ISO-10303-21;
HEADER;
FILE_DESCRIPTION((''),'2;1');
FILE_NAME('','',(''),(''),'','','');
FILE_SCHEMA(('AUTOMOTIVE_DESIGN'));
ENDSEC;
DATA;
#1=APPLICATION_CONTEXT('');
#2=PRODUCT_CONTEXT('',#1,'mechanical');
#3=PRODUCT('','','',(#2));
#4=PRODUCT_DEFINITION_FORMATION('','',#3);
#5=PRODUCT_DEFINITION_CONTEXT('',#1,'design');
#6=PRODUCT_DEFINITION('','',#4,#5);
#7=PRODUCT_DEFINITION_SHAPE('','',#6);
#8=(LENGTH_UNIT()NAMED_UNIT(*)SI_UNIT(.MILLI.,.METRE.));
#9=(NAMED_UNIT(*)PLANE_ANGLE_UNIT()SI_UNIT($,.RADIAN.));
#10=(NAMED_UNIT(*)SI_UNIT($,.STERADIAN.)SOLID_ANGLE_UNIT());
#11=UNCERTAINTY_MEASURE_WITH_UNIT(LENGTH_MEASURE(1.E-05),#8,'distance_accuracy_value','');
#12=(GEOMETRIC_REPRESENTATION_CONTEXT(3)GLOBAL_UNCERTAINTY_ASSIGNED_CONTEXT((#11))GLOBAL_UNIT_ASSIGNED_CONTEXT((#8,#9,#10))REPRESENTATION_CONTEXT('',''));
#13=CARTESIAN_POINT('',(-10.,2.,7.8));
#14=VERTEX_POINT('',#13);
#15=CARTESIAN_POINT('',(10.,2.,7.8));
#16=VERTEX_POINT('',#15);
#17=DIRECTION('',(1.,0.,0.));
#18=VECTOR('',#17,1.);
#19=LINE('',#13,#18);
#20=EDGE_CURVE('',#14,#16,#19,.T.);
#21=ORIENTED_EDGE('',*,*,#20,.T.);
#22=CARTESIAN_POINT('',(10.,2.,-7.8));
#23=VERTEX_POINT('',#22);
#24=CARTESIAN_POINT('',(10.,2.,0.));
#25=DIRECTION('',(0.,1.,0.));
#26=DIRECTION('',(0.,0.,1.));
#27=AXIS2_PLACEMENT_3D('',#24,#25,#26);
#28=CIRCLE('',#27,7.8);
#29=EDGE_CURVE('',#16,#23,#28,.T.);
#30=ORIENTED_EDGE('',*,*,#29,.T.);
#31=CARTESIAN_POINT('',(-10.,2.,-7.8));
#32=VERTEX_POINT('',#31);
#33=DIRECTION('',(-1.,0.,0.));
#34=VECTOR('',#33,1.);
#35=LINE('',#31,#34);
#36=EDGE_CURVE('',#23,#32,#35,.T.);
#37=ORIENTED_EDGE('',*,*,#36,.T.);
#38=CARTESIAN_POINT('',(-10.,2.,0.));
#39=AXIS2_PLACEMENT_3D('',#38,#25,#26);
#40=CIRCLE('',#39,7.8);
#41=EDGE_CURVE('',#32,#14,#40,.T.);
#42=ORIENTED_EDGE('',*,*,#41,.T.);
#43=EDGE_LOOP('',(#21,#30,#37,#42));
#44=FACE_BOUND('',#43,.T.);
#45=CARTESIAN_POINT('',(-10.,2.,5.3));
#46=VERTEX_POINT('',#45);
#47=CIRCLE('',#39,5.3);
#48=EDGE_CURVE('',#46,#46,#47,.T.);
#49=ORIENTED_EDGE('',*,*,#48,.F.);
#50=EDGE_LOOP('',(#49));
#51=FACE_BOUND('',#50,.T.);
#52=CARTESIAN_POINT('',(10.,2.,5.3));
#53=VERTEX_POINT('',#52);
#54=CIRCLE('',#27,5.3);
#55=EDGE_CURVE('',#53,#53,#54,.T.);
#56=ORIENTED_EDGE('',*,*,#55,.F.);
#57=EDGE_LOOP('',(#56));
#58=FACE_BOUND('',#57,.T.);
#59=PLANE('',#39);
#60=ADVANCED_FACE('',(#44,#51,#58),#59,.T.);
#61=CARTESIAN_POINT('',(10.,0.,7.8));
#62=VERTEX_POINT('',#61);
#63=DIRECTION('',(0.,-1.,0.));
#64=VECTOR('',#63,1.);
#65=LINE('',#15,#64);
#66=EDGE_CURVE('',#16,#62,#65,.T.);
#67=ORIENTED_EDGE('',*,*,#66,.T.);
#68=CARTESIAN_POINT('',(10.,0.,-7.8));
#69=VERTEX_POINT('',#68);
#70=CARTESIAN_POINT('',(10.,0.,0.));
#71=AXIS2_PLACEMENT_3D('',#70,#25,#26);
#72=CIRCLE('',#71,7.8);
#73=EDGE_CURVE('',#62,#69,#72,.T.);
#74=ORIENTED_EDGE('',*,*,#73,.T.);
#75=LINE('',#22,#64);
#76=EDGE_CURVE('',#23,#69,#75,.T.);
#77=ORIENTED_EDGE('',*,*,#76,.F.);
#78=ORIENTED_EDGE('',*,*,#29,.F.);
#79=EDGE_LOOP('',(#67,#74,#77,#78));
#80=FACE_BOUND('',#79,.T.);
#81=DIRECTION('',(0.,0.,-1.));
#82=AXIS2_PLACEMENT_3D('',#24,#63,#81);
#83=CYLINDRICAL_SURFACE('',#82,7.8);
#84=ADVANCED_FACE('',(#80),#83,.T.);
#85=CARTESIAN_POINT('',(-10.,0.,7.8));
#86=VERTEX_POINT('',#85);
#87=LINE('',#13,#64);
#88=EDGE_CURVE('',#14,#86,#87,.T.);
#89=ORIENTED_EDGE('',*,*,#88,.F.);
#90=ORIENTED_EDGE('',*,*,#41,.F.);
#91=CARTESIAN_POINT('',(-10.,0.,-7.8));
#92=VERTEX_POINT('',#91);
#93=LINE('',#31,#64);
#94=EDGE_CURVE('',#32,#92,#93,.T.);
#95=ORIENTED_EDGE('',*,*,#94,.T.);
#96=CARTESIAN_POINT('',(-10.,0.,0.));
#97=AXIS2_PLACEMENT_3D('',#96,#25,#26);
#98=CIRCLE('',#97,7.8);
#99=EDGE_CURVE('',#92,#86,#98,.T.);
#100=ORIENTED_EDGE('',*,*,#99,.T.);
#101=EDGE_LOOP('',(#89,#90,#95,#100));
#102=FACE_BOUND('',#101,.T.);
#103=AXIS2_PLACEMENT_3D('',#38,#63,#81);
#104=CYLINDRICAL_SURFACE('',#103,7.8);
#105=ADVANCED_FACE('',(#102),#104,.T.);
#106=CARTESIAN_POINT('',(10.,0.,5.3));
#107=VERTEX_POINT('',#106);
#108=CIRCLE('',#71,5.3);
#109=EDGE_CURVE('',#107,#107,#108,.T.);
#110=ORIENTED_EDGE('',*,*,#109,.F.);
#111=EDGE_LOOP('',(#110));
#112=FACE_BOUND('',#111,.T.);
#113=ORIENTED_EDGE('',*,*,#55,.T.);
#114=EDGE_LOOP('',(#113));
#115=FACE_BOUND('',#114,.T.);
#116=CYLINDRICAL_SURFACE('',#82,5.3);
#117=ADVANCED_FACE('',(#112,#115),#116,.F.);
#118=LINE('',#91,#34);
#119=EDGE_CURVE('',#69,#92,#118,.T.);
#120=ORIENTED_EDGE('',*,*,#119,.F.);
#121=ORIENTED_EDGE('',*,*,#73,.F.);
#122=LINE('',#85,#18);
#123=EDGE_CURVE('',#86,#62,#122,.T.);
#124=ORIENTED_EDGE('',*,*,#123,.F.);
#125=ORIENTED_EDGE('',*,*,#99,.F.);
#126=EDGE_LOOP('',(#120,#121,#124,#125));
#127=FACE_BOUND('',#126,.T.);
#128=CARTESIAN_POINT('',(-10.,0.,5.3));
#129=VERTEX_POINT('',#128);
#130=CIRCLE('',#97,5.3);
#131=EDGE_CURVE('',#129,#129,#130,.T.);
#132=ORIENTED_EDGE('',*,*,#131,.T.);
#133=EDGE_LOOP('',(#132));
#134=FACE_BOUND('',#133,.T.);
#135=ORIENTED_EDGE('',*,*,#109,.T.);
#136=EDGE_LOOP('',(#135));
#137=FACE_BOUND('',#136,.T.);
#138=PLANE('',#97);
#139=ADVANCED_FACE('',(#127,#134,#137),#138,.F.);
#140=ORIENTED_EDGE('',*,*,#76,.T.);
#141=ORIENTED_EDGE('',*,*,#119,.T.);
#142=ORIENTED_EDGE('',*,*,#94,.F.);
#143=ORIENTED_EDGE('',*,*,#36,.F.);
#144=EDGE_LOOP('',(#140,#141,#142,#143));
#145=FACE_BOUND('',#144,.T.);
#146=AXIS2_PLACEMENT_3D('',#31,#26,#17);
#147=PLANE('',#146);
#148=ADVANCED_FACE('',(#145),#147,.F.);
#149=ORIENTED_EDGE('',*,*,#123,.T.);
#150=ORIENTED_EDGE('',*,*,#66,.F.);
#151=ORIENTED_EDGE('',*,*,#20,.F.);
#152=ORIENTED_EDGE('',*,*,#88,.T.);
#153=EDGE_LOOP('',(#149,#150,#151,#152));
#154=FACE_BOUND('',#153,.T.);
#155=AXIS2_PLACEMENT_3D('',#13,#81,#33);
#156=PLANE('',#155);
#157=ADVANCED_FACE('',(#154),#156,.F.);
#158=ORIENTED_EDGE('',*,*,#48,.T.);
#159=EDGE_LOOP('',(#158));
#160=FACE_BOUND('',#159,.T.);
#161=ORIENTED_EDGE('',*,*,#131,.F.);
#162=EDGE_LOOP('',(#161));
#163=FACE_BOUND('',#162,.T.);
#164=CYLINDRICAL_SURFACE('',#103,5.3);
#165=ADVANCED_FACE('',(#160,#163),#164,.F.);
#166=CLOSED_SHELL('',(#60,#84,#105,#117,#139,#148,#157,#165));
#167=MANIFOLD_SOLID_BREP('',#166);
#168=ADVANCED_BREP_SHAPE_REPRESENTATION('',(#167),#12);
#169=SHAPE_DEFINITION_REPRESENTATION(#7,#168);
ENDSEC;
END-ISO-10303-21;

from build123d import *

# Parameters (mm, degrees)
SKETCH1_R           = 5.3
BOSS_EXTRUDE1_DEPTH = 2


with BuildPart() as part:
    # Sketch1 → Boss-Extrude1 (new body)
    with BuildSketch(Plane(origin=(0, 0, 0), x_dir=(1, 0, 0), z_dir=(0, 1, 0))):
        with BuildLine():
            Line((-10, 7.8), (10, 7.8))
            ThreePointArc((10, 7.8), (17.8, 0), (10, -7.8))
            Line((10, -7.8), (-10, -7.8))
            ThreePointArc((-10, -7.8), (-17.8, 0), (-10, 7.8))
        make_face()
        with Locations(Location((-10, 0, 0), (0, 0, 270))):
            Circle(SKETCH1_R, mode=Mode.SUBTRACT)
        with Locations(Location((10, 0, 0), (0, 0, 270))):
            Circle(SKETCH1_R, mode=Mode.SUBTRACT)
    extrude(amount=BOSS_EXTRUDE1_DEPTH)


solid = part.part
